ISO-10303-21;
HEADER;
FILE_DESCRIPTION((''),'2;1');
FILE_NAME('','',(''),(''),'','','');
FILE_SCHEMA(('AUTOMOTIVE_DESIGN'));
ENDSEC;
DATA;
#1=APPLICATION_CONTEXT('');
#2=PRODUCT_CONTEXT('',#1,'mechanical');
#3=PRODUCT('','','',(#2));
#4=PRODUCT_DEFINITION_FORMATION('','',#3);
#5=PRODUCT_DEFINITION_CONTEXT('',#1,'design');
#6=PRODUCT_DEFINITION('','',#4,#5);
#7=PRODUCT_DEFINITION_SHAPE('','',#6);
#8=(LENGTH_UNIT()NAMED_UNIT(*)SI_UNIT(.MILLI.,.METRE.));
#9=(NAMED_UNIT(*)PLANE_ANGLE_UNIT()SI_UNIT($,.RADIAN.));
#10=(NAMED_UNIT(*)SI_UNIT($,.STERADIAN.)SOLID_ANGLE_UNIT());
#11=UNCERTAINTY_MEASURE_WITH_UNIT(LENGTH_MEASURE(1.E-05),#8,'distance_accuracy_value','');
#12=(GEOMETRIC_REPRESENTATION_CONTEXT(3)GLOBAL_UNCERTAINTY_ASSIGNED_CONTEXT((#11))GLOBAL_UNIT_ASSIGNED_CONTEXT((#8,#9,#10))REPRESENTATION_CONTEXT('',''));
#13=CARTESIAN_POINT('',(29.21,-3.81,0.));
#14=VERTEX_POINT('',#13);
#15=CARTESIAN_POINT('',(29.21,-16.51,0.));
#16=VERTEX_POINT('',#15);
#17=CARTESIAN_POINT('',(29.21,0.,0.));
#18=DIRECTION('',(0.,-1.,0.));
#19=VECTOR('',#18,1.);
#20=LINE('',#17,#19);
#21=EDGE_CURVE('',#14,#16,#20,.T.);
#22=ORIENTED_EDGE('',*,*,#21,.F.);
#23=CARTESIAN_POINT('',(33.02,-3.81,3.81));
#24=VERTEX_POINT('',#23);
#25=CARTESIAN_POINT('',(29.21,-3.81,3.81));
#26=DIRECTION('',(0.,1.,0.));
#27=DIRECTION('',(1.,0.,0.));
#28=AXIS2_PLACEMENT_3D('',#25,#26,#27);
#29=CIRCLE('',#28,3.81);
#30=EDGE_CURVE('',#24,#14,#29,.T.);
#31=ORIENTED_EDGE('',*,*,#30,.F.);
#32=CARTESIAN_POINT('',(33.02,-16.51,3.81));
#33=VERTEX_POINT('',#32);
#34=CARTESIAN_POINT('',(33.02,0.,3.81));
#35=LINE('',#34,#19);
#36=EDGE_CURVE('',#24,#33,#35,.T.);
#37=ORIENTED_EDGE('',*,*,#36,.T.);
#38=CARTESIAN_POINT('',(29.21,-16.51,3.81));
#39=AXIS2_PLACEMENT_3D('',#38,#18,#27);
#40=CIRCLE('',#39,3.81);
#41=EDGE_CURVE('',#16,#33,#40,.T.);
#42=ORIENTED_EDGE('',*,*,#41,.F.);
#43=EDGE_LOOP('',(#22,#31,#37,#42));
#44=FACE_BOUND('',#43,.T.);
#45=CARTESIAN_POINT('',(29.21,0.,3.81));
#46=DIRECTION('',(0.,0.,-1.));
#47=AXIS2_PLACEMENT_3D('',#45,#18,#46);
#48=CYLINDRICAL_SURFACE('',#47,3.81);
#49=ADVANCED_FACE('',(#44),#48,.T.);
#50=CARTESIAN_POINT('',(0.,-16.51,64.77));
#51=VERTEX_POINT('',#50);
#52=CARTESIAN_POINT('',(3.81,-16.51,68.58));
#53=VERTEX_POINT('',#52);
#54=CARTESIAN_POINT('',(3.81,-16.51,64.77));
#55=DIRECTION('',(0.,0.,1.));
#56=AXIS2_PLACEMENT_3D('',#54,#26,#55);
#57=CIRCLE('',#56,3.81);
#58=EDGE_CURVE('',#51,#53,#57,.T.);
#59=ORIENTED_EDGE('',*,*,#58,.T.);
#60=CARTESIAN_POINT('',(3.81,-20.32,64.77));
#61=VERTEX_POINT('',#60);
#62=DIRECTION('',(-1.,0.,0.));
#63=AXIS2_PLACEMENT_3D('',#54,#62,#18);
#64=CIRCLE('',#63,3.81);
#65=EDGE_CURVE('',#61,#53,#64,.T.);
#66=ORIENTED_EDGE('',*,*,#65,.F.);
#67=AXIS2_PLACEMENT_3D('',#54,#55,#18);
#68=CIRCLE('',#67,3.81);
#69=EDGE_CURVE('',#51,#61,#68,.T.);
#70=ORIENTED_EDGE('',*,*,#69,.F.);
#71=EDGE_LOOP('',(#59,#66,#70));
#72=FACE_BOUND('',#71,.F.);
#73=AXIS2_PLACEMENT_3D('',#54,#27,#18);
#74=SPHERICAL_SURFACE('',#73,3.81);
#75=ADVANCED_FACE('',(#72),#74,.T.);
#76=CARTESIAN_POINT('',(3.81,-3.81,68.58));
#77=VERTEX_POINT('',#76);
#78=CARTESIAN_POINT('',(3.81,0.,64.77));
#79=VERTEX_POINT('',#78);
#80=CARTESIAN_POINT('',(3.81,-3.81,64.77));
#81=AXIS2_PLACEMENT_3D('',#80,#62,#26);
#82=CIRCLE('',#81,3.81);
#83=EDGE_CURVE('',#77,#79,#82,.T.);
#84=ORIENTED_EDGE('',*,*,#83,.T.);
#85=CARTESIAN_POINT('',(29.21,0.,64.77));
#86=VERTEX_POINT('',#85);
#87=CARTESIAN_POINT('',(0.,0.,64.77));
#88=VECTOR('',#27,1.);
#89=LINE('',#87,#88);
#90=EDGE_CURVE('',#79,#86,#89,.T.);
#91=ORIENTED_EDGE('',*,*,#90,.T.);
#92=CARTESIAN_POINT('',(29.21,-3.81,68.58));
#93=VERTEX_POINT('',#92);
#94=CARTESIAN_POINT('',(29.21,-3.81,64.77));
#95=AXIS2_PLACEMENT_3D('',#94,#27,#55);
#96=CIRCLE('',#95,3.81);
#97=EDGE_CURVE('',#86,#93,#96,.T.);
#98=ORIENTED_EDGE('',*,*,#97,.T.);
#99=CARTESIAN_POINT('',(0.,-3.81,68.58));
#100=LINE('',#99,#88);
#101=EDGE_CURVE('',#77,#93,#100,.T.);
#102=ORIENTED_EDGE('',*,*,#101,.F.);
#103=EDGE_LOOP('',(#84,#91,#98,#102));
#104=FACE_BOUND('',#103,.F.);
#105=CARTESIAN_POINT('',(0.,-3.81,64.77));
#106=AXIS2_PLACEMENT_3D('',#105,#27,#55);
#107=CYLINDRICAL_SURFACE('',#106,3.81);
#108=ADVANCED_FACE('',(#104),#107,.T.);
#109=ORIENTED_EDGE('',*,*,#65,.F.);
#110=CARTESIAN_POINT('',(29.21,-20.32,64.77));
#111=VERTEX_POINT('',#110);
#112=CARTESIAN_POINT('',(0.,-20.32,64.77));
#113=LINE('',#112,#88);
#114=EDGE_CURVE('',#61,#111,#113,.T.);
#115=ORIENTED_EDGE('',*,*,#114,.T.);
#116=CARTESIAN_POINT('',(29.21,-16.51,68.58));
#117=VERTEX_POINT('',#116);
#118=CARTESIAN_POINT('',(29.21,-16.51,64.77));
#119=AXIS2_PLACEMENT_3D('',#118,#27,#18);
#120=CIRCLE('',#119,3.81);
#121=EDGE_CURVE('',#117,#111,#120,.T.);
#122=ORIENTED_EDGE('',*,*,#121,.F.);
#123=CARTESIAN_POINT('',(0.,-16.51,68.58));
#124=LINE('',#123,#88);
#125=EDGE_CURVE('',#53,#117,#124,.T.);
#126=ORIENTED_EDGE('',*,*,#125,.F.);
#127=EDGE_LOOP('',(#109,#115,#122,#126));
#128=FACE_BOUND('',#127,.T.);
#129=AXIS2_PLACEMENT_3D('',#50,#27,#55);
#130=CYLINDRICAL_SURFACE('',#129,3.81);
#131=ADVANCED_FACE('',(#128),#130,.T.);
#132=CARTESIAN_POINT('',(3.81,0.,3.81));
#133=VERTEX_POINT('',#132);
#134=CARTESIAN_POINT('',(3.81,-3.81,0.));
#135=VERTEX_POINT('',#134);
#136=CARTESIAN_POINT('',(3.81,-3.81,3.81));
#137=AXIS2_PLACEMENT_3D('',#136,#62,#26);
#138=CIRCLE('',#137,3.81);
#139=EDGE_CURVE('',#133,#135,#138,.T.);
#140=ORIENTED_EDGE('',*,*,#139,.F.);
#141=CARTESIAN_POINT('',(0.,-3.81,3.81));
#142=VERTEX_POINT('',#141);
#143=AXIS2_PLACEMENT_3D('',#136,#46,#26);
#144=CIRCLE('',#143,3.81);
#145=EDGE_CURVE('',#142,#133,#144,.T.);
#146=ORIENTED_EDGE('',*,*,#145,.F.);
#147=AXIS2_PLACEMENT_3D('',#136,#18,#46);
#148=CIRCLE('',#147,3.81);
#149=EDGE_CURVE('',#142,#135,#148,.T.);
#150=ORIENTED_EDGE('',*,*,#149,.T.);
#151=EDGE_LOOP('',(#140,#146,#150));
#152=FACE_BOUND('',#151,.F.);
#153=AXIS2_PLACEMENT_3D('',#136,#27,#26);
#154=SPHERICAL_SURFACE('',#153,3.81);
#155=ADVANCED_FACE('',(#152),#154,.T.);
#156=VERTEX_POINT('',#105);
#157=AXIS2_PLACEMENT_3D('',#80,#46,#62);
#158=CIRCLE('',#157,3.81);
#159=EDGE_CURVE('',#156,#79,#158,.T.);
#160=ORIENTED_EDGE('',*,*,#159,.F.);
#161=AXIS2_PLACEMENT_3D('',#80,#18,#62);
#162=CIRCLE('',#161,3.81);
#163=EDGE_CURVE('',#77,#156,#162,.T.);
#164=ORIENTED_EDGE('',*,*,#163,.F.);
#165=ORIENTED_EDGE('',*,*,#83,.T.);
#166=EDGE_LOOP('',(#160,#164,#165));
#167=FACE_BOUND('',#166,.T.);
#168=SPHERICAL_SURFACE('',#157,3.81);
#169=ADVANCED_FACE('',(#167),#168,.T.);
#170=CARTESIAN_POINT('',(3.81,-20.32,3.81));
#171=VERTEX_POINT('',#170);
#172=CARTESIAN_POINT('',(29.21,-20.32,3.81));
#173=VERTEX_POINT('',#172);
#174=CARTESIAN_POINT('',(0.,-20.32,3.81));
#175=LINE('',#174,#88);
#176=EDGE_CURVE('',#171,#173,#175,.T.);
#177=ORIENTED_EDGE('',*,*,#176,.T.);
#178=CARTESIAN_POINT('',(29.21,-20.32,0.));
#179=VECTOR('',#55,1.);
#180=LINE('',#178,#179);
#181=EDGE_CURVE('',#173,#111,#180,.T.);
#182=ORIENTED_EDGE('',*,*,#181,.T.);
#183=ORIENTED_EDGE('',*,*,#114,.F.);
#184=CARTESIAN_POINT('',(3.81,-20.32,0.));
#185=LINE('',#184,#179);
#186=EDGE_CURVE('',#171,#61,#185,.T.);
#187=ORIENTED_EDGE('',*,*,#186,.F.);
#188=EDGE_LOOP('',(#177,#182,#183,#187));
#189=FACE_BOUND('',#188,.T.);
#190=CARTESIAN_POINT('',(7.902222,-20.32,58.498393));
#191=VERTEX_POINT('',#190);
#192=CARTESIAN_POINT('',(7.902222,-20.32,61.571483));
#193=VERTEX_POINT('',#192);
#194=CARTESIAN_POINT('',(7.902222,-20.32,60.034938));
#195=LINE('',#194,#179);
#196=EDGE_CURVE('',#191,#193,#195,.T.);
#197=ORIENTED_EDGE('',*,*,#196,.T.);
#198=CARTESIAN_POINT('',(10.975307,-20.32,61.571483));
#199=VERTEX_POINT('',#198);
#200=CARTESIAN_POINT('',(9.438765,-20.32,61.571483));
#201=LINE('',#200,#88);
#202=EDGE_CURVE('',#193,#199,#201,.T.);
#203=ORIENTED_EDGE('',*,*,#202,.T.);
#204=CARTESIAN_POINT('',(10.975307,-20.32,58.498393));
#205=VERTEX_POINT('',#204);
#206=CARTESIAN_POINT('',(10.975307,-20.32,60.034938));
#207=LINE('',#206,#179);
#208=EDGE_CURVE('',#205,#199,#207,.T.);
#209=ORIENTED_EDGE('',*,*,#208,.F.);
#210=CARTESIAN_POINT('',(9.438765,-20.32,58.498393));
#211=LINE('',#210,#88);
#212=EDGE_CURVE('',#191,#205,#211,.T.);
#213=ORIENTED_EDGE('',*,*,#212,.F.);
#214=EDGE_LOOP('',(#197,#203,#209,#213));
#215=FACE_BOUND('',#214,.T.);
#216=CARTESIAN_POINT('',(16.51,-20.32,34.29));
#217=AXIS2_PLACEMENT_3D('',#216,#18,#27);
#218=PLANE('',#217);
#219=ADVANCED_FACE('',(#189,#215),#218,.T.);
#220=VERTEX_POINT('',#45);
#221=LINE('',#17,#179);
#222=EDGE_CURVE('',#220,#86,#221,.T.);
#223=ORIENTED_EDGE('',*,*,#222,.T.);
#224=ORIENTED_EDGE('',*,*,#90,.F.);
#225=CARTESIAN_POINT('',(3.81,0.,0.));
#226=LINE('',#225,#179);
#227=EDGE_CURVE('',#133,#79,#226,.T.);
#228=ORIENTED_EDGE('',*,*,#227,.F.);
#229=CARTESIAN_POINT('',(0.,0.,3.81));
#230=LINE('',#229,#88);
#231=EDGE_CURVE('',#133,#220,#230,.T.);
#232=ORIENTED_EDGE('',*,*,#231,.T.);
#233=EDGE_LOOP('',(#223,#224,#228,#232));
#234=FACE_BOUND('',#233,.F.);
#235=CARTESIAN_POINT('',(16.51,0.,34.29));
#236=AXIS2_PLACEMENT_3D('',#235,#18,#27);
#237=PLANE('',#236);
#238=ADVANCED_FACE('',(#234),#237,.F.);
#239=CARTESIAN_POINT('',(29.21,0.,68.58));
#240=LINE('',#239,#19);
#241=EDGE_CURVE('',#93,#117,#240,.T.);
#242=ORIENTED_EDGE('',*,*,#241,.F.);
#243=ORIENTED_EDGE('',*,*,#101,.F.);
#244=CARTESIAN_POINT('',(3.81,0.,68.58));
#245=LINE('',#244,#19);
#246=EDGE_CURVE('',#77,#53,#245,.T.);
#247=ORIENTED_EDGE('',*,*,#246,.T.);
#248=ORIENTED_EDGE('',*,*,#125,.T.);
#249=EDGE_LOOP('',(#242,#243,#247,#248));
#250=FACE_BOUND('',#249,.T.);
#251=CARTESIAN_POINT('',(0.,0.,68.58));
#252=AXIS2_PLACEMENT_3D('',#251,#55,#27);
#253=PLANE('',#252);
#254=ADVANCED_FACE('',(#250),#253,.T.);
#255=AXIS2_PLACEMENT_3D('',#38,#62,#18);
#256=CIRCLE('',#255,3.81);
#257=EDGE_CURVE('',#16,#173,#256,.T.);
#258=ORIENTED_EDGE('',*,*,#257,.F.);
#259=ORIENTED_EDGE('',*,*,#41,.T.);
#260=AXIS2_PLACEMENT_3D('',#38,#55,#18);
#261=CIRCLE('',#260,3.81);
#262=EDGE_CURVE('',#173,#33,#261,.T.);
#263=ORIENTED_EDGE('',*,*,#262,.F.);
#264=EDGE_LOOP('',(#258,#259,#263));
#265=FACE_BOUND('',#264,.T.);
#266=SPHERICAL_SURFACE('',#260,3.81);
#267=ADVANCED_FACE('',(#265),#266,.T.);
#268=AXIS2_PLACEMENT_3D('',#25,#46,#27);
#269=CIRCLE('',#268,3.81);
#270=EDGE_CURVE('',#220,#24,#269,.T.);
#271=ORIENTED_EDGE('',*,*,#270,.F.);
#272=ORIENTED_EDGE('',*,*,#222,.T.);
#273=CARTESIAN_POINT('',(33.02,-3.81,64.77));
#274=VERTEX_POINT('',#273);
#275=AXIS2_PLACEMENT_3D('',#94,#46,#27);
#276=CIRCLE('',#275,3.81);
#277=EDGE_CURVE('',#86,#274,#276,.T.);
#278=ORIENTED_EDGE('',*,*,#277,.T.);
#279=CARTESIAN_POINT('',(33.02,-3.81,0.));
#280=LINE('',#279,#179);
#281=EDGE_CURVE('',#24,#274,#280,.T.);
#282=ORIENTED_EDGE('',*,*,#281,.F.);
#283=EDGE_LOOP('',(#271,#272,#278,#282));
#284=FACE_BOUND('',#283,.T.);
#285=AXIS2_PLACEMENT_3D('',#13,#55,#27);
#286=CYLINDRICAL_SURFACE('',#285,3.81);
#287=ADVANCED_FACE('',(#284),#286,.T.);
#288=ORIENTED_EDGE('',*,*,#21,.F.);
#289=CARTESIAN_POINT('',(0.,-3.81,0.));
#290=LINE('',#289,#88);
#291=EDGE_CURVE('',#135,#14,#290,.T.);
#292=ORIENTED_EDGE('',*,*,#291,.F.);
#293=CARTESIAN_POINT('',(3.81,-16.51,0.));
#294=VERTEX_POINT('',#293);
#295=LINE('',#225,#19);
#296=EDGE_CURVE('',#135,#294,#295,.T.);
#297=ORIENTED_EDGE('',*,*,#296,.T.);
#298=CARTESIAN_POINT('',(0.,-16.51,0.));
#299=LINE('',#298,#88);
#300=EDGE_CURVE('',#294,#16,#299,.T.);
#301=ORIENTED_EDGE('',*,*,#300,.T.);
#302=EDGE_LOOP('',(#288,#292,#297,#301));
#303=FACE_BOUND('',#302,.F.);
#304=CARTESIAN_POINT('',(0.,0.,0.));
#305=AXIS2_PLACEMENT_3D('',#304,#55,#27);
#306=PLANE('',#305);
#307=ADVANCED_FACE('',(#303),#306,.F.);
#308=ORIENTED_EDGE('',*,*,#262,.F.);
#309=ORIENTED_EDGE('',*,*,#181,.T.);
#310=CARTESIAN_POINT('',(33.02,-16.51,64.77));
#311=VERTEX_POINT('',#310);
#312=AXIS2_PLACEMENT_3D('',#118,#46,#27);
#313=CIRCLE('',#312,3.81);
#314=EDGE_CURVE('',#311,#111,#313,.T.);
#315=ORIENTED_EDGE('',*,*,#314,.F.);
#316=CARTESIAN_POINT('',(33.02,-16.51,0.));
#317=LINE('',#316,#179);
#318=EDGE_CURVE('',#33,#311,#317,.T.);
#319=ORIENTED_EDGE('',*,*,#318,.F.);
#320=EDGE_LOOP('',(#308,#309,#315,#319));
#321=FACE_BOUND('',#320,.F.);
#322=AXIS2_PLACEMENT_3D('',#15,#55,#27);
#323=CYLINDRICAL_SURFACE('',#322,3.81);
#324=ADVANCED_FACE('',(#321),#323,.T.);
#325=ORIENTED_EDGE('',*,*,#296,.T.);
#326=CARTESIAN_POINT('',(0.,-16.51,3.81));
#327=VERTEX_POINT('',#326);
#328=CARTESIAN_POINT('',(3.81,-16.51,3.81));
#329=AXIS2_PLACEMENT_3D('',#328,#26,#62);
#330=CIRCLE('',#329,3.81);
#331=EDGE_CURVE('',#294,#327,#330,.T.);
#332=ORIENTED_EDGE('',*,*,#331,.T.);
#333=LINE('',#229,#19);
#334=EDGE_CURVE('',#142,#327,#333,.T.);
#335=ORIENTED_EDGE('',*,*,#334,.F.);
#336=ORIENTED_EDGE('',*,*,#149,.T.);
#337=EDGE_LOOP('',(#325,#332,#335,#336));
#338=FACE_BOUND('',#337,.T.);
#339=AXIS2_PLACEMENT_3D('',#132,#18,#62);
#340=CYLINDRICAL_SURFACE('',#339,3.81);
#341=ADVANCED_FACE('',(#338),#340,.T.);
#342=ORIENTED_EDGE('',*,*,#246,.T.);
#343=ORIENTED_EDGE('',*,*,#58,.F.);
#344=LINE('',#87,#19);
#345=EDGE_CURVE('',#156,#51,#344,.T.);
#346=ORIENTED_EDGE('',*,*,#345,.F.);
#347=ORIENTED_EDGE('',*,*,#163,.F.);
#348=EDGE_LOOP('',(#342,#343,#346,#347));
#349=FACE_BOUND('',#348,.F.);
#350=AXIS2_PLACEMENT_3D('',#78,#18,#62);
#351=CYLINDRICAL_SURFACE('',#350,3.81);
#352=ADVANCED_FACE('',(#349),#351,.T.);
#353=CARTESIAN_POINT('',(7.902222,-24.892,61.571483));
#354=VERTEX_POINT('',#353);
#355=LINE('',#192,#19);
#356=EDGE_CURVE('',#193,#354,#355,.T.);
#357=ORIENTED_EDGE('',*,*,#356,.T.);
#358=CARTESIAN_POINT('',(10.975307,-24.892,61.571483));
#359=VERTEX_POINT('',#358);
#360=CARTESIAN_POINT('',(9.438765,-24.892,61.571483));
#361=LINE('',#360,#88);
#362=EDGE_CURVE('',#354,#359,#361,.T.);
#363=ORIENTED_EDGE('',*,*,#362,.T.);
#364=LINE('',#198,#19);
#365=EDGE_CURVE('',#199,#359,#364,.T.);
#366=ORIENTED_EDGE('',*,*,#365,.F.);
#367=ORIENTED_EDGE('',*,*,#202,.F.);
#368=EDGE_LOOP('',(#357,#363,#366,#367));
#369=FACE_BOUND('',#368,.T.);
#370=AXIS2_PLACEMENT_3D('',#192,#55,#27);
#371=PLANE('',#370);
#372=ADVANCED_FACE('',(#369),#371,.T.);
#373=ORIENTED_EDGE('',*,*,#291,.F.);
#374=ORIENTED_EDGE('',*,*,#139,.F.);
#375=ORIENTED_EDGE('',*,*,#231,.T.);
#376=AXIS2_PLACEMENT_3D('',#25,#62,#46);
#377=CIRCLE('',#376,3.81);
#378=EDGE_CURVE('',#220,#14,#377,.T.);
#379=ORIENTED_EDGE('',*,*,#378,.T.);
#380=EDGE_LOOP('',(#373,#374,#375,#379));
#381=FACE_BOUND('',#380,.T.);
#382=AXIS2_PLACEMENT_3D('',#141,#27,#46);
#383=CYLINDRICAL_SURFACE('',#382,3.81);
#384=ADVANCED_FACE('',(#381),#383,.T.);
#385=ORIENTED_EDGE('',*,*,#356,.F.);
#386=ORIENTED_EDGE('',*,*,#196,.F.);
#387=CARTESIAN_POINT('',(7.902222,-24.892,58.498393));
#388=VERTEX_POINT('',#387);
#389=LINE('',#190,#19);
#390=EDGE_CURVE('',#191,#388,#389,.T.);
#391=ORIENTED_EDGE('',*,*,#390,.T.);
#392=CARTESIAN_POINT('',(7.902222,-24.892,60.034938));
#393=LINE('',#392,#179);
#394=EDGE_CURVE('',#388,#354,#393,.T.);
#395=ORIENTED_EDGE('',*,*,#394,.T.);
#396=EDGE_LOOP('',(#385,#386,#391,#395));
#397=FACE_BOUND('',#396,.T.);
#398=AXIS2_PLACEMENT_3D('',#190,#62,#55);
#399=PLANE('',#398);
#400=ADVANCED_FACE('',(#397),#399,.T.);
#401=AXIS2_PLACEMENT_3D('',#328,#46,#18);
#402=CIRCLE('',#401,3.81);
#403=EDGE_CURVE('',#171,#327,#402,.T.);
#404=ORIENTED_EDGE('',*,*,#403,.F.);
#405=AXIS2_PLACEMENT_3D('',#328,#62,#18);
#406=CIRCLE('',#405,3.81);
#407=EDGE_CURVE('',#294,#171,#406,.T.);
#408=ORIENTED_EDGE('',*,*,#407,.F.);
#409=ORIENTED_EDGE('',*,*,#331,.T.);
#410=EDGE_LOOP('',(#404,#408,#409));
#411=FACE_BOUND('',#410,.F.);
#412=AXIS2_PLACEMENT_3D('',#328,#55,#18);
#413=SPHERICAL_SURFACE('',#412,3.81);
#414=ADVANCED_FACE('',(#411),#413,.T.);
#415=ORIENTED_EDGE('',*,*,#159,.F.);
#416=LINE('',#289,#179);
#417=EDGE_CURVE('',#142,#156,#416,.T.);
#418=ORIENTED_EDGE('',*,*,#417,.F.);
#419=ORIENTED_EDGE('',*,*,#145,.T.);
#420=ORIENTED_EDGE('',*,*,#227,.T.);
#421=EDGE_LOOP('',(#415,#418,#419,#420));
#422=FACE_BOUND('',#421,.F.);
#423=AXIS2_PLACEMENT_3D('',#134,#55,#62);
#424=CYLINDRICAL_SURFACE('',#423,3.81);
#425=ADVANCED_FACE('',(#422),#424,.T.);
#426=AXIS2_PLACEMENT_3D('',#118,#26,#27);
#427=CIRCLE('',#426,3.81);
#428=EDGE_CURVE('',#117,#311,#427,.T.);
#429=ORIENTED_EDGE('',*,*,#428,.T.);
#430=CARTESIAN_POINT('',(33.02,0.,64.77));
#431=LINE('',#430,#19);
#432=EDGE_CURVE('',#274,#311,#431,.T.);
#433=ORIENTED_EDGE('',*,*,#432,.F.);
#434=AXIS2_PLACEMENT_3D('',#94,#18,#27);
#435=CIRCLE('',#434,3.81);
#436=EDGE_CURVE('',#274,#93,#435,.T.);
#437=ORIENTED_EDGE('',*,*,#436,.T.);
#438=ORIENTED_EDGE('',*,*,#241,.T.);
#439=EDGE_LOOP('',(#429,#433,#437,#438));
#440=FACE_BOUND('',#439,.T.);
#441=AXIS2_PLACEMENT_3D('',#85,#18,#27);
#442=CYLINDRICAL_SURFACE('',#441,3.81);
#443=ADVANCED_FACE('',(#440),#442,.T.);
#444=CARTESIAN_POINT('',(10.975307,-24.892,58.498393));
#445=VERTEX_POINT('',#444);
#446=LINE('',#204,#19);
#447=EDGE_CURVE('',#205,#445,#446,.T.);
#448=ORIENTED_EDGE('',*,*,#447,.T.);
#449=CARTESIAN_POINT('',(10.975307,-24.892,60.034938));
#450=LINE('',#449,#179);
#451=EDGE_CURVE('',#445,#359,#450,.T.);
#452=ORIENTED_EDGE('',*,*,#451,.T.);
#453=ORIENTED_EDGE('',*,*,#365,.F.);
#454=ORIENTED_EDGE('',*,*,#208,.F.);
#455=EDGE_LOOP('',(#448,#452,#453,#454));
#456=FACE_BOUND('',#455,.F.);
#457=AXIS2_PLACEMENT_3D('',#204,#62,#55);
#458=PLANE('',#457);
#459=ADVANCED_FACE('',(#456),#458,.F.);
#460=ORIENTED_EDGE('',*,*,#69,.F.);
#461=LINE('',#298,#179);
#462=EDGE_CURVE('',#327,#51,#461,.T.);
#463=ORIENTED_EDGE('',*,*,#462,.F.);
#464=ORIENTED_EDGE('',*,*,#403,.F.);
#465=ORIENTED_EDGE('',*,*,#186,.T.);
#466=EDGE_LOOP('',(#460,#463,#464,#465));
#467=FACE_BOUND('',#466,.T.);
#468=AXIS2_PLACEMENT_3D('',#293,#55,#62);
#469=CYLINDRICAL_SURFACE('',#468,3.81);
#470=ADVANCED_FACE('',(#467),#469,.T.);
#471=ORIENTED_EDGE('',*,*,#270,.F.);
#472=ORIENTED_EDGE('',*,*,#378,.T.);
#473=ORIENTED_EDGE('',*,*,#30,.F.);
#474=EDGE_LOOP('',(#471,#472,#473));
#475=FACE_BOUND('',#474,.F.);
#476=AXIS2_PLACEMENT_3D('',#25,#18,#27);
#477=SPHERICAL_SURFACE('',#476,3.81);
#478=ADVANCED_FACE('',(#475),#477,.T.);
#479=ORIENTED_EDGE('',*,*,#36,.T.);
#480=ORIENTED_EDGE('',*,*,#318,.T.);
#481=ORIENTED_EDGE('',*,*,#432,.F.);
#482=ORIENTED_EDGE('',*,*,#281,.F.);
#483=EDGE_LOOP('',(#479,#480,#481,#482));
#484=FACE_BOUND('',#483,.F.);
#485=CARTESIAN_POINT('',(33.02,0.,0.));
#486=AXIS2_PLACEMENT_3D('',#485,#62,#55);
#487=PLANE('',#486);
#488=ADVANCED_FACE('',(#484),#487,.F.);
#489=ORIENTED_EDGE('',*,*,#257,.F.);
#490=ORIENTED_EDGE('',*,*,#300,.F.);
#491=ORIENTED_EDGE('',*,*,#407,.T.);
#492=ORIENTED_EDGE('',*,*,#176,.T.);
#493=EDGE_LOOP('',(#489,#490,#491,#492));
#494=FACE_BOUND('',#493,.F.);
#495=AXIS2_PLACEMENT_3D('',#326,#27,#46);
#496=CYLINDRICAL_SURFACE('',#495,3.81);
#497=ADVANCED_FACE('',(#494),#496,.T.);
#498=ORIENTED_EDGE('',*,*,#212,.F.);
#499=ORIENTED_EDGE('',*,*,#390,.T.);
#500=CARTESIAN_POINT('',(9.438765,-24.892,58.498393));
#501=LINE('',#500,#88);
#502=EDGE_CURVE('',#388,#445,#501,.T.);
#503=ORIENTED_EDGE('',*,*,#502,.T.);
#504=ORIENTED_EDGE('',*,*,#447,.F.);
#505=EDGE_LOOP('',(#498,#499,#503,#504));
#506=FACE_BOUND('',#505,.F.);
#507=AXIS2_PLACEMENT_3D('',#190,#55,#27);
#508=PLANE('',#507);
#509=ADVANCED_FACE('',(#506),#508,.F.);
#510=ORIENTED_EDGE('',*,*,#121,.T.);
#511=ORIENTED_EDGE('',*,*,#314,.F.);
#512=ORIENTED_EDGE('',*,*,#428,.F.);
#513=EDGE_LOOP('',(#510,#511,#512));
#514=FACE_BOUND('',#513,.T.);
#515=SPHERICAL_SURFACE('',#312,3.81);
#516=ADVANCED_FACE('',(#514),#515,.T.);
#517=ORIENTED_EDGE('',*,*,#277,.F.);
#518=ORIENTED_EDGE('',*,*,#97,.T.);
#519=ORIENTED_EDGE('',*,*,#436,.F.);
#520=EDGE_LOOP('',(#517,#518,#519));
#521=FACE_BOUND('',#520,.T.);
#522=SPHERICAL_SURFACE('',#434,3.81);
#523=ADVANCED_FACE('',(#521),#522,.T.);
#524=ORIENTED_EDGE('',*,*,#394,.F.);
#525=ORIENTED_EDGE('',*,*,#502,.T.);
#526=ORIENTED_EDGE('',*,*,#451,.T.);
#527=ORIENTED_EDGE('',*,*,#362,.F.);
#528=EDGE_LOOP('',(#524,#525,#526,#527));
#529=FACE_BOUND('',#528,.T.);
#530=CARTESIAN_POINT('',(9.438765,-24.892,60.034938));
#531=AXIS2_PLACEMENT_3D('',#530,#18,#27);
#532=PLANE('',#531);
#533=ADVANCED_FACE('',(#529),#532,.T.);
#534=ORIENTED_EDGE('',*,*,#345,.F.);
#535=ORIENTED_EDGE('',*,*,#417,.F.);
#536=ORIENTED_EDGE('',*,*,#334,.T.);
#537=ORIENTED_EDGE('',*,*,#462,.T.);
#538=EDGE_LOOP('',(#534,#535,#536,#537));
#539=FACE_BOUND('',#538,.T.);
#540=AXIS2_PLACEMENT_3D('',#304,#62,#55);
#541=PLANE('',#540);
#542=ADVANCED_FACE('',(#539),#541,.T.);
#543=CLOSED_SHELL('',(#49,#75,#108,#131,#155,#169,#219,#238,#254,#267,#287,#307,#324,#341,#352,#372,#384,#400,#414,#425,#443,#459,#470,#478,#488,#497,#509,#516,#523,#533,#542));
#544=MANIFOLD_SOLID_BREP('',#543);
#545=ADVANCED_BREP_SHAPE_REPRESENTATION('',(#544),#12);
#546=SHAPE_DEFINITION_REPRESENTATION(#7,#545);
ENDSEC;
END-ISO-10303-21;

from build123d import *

# Parameters (mm, degrees)
F0_W     = 33.02
F0_H     = 68.58
F1_DEPTH = 20.32
F2_R     = 3.81
F3_W     = 3.073085
F3_H     = 3.073089
F4_DEPTH = 4.572


with BuildPart() as f1:
    # F0 (on Front) → F1 (new body)
    with BuildSketch(Plane.XZ):
        with Locations((16.51, 34.29)):
            Rectangle(F0_W, F0_H)
    extrude(amount=F1_DEPTH)

    # F2
    f2_edges = [f1.edges().sort_by_distance(p)[0] for p in [
        (33.02, -20.32, 34.29),
        (33.02, -10.16, 68.58),
        (16.51, -20.32, 68.58),
        (0, -20.32, 34.29),
        (16.51, -20.32, 0),
        (33.02, -10.16, 0),
        (33.02, 0, 34.29),
        (16.51, 0, 0),
        (0, 0, 34.29),
        (0, -10.16, 68.58),
        (0, -10.16, 0),
        (16.51, 0, 68.58),
    ]]
    fillet(f2_edges, radius=F2_R)

    # F3 (on face) → F4 (join)
    with BuildSketch(Plane.XZ.offset(20.32)):
        with Locations((9.438765, 60.034938)):
            Rectangle(F3_W, F3_H)
    extrude(amount=F4_DEPTH)


solid = f1.part
